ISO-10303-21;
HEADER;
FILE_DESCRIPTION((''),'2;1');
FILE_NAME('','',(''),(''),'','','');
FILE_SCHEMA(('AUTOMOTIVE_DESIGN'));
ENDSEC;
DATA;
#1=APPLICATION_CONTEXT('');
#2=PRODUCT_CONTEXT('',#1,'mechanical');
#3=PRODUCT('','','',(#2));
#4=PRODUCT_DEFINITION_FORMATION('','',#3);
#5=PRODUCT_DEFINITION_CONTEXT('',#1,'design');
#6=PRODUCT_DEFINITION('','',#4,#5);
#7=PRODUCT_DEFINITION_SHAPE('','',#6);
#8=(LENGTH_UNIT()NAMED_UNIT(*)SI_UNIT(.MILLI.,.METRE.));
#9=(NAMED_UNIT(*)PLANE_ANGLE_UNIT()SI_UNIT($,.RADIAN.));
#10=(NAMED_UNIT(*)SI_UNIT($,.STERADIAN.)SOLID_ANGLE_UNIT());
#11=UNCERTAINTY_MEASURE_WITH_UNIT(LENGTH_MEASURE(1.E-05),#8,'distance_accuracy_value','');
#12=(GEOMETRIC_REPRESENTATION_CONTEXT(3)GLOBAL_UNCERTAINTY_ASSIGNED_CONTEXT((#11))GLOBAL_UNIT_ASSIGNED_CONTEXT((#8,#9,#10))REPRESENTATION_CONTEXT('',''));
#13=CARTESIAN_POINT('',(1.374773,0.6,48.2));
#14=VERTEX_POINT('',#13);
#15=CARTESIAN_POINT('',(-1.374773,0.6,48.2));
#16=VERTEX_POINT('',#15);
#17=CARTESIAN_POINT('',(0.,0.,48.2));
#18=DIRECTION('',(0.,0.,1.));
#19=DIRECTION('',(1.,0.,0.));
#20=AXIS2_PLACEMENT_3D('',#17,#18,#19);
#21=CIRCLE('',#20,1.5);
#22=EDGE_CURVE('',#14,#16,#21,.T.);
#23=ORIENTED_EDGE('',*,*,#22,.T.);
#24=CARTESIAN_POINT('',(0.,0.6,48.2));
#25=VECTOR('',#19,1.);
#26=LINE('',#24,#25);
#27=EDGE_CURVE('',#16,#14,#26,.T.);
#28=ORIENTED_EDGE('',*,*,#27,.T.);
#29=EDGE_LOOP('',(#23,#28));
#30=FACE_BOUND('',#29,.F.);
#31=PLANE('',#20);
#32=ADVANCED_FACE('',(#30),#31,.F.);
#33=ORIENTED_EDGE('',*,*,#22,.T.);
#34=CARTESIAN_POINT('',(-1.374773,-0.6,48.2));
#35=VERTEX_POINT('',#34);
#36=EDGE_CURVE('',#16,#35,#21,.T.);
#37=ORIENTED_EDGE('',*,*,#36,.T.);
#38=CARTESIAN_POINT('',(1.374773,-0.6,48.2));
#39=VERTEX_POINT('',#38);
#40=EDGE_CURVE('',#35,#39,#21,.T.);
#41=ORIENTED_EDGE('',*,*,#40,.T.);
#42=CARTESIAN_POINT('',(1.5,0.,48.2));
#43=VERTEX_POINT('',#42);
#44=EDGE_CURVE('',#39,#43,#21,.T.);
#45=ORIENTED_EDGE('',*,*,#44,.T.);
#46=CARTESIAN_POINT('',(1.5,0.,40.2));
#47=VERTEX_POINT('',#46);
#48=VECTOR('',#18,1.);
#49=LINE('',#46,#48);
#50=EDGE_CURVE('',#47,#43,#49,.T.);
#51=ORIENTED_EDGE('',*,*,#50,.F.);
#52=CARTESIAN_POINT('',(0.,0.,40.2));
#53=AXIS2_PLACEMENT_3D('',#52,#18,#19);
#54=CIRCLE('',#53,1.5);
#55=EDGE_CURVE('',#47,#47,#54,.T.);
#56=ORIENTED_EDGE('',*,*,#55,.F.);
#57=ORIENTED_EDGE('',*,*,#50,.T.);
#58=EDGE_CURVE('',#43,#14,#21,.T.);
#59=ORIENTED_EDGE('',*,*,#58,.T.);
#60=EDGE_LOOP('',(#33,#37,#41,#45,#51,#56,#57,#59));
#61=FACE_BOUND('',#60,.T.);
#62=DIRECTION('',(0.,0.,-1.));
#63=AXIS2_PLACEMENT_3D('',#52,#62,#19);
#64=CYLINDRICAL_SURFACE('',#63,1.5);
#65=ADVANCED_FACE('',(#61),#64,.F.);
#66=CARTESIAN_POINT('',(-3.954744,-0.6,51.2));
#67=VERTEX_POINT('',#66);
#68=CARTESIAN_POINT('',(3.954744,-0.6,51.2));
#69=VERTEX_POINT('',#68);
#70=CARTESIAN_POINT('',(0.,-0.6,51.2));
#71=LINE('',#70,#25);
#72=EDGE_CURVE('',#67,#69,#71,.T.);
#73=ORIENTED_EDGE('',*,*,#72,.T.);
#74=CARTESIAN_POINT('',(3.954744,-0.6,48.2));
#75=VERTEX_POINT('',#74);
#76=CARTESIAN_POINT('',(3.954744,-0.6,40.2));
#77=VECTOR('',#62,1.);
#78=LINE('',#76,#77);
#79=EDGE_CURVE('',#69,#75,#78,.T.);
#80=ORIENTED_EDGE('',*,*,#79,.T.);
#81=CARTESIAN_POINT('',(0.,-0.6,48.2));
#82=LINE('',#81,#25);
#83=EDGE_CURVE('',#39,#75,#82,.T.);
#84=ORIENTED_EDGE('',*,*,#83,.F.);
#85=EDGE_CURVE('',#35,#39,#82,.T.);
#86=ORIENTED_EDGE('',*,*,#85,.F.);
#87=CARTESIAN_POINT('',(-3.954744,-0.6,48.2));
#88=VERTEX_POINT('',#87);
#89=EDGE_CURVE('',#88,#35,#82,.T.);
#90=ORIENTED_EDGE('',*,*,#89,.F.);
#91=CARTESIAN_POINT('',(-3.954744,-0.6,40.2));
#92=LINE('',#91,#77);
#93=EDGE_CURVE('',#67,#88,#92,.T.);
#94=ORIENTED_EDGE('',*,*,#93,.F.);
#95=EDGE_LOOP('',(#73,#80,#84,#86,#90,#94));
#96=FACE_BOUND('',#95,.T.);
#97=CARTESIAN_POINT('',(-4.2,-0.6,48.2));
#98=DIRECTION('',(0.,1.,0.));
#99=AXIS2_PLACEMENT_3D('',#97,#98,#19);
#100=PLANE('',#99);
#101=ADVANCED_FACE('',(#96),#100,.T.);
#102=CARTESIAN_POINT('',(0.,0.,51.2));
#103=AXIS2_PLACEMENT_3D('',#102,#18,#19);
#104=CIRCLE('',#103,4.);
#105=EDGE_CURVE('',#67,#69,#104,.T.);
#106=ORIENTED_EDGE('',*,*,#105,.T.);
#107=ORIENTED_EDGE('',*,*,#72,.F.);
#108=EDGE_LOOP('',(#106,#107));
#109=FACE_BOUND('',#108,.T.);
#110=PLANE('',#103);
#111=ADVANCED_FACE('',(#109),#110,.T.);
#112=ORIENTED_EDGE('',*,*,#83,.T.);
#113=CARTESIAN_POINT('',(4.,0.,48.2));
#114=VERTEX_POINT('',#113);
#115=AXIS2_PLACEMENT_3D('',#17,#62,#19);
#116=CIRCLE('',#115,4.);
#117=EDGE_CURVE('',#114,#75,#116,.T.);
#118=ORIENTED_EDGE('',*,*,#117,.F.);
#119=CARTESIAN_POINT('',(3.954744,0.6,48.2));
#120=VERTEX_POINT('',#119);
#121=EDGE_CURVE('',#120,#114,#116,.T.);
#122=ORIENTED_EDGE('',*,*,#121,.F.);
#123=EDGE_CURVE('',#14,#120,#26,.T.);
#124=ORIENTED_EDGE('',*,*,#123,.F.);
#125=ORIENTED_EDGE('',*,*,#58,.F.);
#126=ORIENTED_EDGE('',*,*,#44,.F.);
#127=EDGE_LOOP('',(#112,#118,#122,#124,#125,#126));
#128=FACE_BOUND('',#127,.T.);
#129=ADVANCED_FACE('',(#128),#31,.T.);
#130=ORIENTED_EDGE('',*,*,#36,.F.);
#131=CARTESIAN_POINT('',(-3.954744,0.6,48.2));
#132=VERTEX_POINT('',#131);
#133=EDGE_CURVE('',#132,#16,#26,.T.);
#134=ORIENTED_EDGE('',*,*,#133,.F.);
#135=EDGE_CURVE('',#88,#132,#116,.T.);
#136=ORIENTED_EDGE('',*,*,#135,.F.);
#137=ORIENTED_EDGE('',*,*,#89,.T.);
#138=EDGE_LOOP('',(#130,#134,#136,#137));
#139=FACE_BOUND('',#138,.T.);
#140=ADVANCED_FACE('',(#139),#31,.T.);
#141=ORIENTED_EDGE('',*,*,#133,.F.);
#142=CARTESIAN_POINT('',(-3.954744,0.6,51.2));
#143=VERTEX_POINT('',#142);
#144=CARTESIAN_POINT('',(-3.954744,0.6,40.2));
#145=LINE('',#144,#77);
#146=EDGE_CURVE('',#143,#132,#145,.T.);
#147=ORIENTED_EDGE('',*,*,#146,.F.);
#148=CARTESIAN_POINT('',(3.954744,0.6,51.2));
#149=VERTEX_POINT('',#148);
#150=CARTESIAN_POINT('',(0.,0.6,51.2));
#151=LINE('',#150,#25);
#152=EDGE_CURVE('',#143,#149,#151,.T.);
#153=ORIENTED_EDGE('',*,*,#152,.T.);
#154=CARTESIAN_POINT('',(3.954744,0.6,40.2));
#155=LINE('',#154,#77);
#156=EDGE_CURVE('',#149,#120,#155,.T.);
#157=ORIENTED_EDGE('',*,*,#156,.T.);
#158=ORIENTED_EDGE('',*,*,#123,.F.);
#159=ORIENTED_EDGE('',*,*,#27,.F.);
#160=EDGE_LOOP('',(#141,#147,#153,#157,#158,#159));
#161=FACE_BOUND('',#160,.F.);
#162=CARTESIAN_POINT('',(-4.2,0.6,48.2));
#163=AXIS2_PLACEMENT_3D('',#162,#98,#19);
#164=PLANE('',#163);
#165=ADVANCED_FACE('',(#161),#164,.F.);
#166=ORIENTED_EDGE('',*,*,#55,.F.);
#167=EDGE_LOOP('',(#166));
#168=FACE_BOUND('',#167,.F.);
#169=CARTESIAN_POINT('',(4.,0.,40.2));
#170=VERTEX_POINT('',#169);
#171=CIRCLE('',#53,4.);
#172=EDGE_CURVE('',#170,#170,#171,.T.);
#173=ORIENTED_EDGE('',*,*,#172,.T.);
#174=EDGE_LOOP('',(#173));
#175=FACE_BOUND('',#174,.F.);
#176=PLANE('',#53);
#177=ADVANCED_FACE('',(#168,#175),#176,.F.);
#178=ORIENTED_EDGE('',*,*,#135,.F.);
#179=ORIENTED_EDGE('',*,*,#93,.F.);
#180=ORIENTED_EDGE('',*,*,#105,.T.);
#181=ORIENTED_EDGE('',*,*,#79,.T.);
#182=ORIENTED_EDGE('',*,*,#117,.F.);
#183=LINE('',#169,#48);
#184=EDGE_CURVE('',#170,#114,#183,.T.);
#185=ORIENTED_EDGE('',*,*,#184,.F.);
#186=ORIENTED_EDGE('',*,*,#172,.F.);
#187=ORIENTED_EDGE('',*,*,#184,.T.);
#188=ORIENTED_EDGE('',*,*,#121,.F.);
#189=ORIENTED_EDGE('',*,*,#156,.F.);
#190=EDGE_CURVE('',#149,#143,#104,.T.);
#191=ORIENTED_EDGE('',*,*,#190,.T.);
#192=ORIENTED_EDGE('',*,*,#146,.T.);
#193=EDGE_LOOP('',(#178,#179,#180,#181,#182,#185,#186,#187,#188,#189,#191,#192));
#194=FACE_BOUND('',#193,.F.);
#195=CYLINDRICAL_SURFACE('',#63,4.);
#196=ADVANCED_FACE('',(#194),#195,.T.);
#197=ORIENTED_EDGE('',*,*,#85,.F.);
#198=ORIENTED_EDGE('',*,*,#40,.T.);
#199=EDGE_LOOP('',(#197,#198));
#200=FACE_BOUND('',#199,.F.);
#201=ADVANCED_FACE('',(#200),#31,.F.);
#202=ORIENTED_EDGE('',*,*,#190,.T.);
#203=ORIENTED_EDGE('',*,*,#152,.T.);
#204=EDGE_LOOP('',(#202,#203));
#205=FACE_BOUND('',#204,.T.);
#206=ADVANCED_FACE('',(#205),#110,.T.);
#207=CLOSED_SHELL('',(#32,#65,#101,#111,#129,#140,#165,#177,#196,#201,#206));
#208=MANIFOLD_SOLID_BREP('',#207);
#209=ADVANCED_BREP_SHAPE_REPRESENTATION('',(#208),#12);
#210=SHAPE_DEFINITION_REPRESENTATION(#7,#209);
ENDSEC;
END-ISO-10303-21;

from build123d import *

# Parameters (mm, degrees)
BOX015_W          = 8.4
BOX015_H          = 1.2
BOX015_DEPTH      = 3
CYLINDER069_R     = 1.5
CYLINDER069_DEPTH = 8
CYLINDER064_R     = 4
CYLINDER064_DEPTH = 11


with BuildPart() as pick_slot:
    # Box015 → Box015 (new body)
    with BuildSketch(Plane(origin=(-4.2, -0.6, 8), x_dir=(1, 0, 0), z_dir=(0, 0, 1))):
        with Locations((4.2, 0.6)):
            Rectangle(BOX015_W, BOX015_H)
    extrude(amount=BOX015_DEPTH)


with BuildPart() as axis_hole:
    # Cylinder069 → Cylinder069 (new body)
    with BuildSketch(Plane.XY):
        Circle(CYLINDER069_R)
    extrude(amount=CYLINDER069_DEPTH)


with BuildPart() as pot_axis_ext:
    # Cylinder064 → Cylinder064 (new body)
    with BuildSketch(Plane.XY):
        Circle(CYLINDER064_R)
    extrude(amount=CYLINDER064_DEPTH)

    # Cut051: cut axis-hole
    add(axis_hole.part, mode=Mode.SUBTRACT)

    # Cut052: cut pick-slot
    add(pick_slot.part, mode=Mode.SUBTRACT)


with BuildPart() as pot_axis_ext_1:
    # Cut052 placement: moved
    add(pot_axis_ext.part.moved(Location((0, 0, 40.2))))


solid = pot_axis_ext_1.part
